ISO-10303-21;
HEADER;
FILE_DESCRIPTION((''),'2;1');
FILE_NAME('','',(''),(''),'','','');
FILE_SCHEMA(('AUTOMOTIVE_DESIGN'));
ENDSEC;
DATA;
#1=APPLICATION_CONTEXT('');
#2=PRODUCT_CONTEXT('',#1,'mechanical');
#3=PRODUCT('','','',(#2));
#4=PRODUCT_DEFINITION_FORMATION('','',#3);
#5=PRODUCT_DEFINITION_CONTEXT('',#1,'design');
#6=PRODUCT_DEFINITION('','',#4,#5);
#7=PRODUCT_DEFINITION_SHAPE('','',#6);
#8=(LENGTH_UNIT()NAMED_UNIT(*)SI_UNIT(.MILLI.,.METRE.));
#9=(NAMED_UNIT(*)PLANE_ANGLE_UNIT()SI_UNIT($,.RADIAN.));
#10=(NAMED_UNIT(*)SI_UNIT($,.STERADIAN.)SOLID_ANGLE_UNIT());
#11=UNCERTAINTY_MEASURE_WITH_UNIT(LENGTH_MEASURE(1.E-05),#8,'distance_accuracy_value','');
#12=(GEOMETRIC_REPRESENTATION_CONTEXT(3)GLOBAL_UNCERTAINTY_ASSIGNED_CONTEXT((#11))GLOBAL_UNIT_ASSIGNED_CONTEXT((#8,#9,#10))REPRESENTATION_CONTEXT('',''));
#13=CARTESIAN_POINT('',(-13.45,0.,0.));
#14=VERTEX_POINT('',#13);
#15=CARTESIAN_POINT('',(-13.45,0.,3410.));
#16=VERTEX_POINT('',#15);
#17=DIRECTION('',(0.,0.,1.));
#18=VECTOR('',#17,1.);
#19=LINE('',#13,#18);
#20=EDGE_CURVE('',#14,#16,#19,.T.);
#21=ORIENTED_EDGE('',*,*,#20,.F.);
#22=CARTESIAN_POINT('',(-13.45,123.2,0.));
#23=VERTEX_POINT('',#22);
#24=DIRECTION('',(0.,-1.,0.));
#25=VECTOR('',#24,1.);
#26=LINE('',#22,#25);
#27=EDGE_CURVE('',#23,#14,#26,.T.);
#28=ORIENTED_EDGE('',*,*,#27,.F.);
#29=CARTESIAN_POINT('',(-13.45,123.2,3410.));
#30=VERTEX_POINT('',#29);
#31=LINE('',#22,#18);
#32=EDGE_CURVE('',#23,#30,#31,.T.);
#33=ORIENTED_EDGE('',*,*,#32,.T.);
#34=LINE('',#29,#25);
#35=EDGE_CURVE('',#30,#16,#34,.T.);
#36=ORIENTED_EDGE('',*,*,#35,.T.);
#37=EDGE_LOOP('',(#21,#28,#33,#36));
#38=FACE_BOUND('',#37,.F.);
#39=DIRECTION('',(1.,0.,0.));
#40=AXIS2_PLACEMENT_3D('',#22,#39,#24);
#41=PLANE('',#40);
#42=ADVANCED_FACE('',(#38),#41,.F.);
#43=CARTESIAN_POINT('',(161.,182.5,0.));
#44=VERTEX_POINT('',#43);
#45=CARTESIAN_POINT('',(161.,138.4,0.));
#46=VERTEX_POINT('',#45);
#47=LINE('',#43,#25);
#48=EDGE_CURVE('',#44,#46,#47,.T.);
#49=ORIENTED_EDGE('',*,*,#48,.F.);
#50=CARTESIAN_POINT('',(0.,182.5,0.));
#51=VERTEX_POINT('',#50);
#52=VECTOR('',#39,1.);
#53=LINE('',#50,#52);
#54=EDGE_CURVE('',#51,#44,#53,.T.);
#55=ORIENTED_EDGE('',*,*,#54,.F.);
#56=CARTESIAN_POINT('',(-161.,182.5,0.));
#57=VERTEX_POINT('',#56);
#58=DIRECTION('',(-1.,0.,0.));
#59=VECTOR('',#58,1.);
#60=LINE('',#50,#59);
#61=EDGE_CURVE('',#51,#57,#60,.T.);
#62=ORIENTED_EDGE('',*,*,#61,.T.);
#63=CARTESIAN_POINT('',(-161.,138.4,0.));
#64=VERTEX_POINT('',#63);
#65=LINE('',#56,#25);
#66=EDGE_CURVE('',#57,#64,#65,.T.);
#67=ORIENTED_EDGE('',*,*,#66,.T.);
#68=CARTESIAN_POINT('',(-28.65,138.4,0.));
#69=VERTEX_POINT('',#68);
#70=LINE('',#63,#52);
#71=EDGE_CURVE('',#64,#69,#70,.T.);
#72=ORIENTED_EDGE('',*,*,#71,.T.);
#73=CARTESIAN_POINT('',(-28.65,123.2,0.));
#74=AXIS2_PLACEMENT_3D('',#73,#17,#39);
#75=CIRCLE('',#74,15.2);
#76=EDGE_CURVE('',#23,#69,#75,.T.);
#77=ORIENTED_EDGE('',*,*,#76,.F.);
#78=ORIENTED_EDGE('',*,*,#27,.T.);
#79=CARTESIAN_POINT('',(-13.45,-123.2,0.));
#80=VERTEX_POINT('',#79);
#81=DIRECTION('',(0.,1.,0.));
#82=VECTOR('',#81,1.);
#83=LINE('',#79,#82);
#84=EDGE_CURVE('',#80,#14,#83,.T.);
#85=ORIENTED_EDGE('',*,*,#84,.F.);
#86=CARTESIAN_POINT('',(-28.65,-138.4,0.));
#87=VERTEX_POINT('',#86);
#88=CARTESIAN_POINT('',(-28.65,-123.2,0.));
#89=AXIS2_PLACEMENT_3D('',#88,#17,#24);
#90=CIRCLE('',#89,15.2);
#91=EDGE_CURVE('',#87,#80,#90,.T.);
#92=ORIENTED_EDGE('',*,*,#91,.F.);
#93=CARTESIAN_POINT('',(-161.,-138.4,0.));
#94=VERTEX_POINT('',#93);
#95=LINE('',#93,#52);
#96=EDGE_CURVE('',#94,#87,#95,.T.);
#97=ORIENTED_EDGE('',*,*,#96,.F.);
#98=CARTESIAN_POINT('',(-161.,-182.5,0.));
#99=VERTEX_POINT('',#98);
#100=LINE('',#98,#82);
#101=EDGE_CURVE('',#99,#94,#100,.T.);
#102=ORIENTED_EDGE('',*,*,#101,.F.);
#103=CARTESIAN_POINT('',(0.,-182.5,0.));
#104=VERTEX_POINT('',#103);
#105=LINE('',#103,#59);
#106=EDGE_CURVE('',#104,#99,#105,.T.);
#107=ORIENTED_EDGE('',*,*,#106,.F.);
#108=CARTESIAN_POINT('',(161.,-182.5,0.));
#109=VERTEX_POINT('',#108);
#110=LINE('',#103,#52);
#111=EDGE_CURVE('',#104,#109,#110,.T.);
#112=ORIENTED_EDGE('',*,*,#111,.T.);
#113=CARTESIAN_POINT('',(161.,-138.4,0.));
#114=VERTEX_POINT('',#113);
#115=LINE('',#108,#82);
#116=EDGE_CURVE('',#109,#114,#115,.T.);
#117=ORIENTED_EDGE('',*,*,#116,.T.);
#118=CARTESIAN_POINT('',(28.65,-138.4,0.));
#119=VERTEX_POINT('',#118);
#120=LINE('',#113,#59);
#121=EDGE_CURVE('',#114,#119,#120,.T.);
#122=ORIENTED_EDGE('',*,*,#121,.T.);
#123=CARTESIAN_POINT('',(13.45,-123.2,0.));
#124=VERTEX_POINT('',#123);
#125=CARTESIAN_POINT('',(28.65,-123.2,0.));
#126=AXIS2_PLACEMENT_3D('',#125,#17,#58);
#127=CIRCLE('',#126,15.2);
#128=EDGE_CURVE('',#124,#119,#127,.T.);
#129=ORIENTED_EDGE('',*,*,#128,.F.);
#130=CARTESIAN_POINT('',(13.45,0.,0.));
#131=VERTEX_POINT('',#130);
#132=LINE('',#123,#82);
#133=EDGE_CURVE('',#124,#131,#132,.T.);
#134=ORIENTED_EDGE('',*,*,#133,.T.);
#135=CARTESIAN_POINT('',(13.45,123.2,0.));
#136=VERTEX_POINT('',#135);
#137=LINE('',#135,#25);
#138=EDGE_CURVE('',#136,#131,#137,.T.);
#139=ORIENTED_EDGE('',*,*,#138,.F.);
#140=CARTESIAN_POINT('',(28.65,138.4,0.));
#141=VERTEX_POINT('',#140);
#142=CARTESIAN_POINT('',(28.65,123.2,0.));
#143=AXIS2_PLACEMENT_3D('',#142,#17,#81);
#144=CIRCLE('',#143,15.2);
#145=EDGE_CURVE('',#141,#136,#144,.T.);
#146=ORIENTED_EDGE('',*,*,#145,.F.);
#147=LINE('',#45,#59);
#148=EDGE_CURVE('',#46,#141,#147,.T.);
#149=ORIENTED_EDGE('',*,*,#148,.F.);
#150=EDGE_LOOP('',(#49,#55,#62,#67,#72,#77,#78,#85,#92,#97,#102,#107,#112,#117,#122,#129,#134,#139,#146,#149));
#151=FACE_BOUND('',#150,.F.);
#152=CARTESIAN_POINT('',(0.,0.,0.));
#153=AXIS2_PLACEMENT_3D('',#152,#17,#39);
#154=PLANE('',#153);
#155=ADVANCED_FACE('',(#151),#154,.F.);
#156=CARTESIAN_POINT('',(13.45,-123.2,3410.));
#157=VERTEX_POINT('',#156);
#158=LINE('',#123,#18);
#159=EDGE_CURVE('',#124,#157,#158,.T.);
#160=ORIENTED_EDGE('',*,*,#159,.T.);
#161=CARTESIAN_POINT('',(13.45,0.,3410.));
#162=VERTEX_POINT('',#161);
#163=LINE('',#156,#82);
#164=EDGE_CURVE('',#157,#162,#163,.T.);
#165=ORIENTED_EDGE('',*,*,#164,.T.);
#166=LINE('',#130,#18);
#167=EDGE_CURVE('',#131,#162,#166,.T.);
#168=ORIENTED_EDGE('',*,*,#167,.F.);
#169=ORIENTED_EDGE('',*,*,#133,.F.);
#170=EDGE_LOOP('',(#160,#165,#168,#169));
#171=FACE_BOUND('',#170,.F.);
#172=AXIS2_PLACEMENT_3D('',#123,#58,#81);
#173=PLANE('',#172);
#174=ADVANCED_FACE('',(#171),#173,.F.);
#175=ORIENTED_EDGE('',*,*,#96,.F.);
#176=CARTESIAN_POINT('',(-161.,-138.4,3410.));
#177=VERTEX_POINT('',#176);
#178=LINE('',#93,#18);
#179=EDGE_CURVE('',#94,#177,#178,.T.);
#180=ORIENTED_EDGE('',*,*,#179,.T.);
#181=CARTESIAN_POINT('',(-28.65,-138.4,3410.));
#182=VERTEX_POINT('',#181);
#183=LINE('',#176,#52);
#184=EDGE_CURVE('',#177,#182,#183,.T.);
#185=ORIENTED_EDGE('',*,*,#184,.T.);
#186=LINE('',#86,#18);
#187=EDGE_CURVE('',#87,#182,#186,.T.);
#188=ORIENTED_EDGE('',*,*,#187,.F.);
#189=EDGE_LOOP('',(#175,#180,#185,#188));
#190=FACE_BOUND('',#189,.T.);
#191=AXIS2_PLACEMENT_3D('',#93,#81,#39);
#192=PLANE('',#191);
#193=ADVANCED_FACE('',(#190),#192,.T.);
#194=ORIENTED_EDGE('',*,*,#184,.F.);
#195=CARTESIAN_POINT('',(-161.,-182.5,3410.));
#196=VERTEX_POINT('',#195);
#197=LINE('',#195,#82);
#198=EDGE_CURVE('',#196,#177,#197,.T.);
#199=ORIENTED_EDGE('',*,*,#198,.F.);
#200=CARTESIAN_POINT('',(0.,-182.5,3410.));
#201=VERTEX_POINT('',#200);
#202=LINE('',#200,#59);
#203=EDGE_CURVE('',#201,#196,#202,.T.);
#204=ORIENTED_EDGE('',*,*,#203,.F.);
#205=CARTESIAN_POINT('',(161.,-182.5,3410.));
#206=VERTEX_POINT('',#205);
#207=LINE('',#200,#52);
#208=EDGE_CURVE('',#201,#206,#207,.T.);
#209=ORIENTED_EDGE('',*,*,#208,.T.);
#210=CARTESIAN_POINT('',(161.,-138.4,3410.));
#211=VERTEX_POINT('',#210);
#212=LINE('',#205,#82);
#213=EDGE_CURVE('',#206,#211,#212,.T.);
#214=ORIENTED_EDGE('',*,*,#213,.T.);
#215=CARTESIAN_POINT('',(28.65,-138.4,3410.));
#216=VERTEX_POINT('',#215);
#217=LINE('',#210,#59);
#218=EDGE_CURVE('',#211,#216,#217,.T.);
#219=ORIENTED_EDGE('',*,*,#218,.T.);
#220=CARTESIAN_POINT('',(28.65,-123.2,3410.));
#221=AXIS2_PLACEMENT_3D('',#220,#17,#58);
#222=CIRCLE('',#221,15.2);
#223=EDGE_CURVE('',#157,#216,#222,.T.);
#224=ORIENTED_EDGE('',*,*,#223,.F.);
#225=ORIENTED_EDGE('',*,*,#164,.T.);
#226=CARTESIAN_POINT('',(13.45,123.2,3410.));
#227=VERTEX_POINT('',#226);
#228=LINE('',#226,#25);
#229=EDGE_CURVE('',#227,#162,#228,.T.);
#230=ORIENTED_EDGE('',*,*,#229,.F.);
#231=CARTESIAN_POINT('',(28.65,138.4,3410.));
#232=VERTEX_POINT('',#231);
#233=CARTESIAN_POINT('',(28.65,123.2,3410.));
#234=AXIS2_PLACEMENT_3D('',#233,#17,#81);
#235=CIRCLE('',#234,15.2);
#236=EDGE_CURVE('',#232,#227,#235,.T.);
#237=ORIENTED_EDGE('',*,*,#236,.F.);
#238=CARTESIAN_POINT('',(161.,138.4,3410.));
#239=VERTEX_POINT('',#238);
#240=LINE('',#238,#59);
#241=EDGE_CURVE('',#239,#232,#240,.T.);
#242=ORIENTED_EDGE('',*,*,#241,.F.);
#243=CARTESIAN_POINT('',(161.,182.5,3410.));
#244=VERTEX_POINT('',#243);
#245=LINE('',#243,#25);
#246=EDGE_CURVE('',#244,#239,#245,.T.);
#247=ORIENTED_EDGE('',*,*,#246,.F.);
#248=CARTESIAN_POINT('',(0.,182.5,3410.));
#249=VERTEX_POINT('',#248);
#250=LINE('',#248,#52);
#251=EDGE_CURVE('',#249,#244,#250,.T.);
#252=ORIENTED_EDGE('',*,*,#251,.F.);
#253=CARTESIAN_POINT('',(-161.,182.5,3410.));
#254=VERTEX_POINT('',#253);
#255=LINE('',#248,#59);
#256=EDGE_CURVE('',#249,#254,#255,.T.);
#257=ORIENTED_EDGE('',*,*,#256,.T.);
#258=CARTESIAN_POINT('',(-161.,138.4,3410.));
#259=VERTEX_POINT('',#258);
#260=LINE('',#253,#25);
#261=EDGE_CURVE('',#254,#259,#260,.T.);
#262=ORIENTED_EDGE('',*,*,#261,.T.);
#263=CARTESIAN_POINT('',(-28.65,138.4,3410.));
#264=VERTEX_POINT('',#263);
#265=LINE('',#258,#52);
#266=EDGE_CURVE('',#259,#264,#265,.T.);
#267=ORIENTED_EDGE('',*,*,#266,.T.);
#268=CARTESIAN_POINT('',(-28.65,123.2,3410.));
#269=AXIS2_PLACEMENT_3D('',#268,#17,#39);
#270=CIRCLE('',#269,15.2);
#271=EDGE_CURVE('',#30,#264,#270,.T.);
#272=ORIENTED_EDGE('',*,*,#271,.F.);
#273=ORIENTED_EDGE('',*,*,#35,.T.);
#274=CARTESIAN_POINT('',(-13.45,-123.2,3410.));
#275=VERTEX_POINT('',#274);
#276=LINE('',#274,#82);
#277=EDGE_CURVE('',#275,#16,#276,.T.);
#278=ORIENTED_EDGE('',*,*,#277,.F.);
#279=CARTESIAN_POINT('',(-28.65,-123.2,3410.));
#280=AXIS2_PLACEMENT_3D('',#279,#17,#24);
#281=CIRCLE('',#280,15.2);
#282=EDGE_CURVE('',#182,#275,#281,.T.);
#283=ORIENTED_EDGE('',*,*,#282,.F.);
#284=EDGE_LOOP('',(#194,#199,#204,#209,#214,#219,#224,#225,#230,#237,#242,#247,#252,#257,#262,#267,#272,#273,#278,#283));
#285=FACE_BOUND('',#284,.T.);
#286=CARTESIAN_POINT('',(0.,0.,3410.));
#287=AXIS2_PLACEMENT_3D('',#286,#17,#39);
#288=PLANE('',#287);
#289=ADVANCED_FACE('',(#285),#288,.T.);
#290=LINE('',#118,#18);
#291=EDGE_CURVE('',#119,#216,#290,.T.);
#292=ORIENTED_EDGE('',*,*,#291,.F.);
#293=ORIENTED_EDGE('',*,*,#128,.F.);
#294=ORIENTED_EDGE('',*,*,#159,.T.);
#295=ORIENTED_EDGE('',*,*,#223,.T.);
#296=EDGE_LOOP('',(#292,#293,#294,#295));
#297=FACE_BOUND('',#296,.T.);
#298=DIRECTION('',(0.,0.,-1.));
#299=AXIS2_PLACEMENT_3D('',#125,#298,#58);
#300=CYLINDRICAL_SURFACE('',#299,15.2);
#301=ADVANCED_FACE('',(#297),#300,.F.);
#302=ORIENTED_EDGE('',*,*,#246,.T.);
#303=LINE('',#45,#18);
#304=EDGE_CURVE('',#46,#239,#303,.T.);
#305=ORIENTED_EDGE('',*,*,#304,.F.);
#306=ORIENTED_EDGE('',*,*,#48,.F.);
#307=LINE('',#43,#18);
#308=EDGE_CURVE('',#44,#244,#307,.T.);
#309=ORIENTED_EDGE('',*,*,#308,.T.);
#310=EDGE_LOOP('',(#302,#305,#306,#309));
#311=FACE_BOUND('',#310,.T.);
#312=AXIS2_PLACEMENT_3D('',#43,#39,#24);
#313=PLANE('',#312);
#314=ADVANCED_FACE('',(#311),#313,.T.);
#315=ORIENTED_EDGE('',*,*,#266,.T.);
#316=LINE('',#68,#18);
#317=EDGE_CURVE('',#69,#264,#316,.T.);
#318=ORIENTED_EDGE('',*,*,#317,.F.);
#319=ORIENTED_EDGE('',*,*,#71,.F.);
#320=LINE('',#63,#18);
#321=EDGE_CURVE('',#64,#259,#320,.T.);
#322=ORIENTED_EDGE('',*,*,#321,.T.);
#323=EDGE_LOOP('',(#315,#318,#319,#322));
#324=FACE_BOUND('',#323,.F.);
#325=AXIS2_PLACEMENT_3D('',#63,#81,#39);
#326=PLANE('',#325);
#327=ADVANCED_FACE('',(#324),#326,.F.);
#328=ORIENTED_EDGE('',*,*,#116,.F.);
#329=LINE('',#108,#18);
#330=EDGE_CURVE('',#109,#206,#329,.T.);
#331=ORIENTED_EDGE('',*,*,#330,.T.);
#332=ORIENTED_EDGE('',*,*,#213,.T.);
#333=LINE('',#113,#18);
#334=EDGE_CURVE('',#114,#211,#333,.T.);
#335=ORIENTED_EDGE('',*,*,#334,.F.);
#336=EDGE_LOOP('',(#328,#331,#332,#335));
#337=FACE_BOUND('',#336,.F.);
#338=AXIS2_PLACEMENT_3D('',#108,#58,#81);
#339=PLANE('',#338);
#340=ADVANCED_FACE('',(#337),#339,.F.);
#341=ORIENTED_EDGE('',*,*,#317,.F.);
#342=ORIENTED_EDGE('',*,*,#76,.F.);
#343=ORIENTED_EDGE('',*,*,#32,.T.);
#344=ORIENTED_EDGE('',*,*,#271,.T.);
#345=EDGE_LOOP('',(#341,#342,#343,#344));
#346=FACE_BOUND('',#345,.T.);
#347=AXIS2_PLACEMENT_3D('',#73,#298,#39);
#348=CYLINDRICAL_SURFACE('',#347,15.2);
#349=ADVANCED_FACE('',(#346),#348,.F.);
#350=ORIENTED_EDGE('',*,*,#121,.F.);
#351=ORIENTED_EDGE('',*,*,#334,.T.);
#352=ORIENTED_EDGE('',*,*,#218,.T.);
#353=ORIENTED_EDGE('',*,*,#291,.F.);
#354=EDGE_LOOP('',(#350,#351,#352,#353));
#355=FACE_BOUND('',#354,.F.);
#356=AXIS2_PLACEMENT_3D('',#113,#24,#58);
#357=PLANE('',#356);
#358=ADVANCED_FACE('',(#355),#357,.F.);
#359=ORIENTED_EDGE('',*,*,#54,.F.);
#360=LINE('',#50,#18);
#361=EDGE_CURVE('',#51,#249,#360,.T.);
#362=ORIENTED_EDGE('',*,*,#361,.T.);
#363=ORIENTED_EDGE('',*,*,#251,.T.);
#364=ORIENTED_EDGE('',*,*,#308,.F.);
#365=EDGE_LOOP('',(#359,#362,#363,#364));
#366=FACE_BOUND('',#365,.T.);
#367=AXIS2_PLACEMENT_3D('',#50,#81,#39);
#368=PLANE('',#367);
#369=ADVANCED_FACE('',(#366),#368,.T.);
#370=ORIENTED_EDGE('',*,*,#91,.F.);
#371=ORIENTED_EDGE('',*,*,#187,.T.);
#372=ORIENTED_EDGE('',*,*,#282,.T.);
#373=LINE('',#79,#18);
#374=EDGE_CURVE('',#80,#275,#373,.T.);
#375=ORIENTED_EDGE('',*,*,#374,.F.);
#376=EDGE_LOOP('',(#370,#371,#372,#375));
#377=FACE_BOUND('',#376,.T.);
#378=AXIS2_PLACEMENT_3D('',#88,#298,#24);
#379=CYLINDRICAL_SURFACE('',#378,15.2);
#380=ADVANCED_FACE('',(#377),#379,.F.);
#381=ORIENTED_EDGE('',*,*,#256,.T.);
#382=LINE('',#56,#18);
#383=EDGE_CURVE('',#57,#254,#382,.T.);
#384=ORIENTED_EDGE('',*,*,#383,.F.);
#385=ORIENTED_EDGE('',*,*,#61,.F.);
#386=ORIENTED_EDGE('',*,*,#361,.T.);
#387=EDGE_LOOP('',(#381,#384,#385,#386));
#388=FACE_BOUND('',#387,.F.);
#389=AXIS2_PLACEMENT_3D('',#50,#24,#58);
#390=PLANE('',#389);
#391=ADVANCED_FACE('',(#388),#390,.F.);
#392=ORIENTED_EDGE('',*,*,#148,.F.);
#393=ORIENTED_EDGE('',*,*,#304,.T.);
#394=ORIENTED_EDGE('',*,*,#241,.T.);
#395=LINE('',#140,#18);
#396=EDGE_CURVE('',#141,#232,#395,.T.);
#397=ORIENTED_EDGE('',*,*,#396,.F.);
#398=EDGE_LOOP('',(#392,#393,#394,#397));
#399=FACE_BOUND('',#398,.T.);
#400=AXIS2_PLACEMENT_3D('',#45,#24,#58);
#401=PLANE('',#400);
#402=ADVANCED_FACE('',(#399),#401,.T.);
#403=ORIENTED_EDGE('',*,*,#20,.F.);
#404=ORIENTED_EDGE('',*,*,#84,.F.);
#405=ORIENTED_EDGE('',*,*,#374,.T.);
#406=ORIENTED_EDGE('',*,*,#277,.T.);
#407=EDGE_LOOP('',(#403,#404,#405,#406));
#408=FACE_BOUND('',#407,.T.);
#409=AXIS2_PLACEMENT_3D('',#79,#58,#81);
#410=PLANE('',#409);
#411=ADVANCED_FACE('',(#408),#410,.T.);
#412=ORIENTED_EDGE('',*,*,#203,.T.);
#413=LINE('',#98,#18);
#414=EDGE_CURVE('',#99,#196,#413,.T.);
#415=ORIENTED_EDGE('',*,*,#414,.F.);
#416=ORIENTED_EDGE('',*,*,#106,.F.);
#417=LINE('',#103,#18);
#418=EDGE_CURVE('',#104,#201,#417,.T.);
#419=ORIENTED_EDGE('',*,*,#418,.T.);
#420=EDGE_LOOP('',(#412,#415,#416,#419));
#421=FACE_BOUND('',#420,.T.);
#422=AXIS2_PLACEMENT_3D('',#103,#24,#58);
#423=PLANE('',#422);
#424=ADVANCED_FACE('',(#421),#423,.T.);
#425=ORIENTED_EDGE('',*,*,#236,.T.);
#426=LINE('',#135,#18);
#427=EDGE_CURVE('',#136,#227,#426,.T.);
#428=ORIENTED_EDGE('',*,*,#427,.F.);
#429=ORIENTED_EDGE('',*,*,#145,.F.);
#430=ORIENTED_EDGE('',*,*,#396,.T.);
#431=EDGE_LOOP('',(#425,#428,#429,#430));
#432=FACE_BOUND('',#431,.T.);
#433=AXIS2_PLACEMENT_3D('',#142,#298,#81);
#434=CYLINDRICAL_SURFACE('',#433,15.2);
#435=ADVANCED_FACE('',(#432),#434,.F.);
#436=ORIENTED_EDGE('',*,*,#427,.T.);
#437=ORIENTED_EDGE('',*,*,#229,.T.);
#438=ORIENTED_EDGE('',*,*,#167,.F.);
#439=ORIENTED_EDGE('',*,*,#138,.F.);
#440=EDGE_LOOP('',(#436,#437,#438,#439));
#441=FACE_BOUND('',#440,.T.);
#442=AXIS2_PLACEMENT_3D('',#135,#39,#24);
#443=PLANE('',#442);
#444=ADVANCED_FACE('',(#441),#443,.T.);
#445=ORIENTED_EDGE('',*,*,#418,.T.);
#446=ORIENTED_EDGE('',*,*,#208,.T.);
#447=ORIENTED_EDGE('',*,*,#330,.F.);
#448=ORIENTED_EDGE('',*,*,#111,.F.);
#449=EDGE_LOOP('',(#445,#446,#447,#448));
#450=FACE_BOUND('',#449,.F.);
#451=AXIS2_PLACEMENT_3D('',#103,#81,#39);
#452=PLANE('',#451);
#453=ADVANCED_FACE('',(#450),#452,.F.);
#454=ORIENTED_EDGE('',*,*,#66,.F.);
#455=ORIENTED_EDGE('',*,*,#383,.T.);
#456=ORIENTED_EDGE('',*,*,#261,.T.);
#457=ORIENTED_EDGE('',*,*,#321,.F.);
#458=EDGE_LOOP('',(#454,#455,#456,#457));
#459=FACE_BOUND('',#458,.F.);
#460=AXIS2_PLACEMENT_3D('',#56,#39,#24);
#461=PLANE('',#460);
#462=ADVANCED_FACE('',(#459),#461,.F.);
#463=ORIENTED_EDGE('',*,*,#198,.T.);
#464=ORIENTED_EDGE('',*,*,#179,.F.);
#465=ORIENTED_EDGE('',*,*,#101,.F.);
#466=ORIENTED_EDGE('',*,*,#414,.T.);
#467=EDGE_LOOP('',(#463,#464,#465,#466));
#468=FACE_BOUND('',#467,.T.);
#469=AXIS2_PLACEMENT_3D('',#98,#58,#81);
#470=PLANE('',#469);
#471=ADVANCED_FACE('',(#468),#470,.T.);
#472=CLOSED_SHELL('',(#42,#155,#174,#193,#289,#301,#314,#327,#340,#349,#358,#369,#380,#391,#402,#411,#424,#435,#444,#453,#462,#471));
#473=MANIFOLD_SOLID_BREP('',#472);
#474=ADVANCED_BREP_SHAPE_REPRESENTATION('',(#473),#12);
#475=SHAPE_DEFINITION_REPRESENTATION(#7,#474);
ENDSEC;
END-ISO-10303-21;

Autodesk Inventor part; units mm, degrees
ref_plane "YZ Plane" through (0, 0, 0) normal (1, 0, 0) x (0, 1, 0)
ref_plane "Start plane" through (0, 0, 0) normal (0, 0, 1) x (1, 0, 0)
ref_plane "End plane" through (0, 0, 3410) normal (0, 0, 1) x (1, 0, 0)
sketch "Sketch" plane through (0, 0, 0) normal (0, 0, 1) x (1, 0, 0)
  line L0 (-161, -182.5) -> (-161, -138.4)
  line L1 (-161, -138.4) -> (-28.65, -138.4)
  line L2 (-13.45, -123.2) -> (-13.45, 0)
  line L3 (-13.45, 0) -> (0, 0) construction
  line L4 (0, 0) -> (0, -182.5) construction
  line L5 (0, -182.5) -> (-161, -182.5)
  line L6 (-60, 0) -> (80, 0) construction
  line L7 (0, -60) -> (0, 80) construction
  line L8 (161, -182.5) -> (161, -138.4)
  line L9 (161, -138.4) -> (28.65, -138.4)
  line L10 (13.45, -123.2) -> (13.45, 0)
  line L11 (13.45, 0) -> (0, 0) construction
  line L12 (0, -182.5) -> (161, -182.5)
  line L13 (-161, 182.5) -> (-161, 138.4)
  line L14 (-161, 138.4) -> (-28.65, 138.4)
  line L15 (-13.45, 123.2) -> (-13.45, 0)
  line L16 (0, 182.5) -> (-161, 182.5)
  line L17 (161, 182.5) -> (161, 138.4)
  line L18 (161, 138.4) -> (28.65, 138.4)
  line L19 (0, 182.5) -> (161, 182.5)
  line L20 (13.45, 123.2) -> (13.45, 0)
  arc A0 (-13.45, 123.2) -> (-28.65, 138.4) centre (-28.65, 123.2) ccw
  arc A1 (28.65, 138.4) -> (13.45, 123.2) centre (28.65, 123.2) ccw
  arc A2 (13.45, -123.2) -> (28.65, -138.4) centre (28.65, -123.2) ccw
  arc A3 (-28.65, -138.4) -> (-13.45, -123.2) centre (-28.65, -123.2) ccw
  line L21 (0, 108) -> (0, -88) construction
  line L22 (-88, 0) -> (108, 0) construction
  point P0 (-13.45, -138.4)
  point P1 (13.45, -138.4)
  point P2 (-13.45, 138.4)
  point P3 (13.45, 138.4)
  dimension "d1" = 182.5
  dimension "d2" = 44.1
  dimension "d3" = 161
  dimension "d4" = 13.45
  dimension "d10" = 15.2
extrude "Body" add sketch "Sketch" along normal up to surface (3410 mm away) from surface at 0
sketch "Sketch4" plane through (0, 0, 0) normal (0, 0, 1) x (1, 0, 0)
  line L0 (0, 0) -> (10, 0)
ref_plane "Work Plane3" through (0, 0, 0) normal (0, -1, 0) x (1, 0, 0)
sketch "Sketch5" plane through (0, 0, 0) normal (0, -1, 0) x (1, 0, 0)
  line L0 (-2, 0) -> (12, 0) projected
  line L1 (-2, 3410) -> (12, 3410) projected
  dimension "d14" = 3410
equation "\"d1\" = 0.5 * G_H"
equation "\"d2\" = G_T1"
equation "\"d3\" = 0.5 * G_W"
equation "\"d4\" = 0.5 * G_T"
equation "\"d10\" = G_IR"
equation "\"d5\" = G_L"
equation "\"G_W\" = 322"
equation "\"G_H\" = 365"
equation "\"G_T\" = 26.9"
equation "\"G_T1\" = 44.1"
equation "\"G_IR\" = 15.2"
equation "\"G_L\" = d14"
equation "\"G_OFFSET_START\" = 0"
equation "\"G_OFFSET_END\" = 0"
properties part number "AS 3679 - 310 UC - 283 - 3410" material "Steel, Mild"
